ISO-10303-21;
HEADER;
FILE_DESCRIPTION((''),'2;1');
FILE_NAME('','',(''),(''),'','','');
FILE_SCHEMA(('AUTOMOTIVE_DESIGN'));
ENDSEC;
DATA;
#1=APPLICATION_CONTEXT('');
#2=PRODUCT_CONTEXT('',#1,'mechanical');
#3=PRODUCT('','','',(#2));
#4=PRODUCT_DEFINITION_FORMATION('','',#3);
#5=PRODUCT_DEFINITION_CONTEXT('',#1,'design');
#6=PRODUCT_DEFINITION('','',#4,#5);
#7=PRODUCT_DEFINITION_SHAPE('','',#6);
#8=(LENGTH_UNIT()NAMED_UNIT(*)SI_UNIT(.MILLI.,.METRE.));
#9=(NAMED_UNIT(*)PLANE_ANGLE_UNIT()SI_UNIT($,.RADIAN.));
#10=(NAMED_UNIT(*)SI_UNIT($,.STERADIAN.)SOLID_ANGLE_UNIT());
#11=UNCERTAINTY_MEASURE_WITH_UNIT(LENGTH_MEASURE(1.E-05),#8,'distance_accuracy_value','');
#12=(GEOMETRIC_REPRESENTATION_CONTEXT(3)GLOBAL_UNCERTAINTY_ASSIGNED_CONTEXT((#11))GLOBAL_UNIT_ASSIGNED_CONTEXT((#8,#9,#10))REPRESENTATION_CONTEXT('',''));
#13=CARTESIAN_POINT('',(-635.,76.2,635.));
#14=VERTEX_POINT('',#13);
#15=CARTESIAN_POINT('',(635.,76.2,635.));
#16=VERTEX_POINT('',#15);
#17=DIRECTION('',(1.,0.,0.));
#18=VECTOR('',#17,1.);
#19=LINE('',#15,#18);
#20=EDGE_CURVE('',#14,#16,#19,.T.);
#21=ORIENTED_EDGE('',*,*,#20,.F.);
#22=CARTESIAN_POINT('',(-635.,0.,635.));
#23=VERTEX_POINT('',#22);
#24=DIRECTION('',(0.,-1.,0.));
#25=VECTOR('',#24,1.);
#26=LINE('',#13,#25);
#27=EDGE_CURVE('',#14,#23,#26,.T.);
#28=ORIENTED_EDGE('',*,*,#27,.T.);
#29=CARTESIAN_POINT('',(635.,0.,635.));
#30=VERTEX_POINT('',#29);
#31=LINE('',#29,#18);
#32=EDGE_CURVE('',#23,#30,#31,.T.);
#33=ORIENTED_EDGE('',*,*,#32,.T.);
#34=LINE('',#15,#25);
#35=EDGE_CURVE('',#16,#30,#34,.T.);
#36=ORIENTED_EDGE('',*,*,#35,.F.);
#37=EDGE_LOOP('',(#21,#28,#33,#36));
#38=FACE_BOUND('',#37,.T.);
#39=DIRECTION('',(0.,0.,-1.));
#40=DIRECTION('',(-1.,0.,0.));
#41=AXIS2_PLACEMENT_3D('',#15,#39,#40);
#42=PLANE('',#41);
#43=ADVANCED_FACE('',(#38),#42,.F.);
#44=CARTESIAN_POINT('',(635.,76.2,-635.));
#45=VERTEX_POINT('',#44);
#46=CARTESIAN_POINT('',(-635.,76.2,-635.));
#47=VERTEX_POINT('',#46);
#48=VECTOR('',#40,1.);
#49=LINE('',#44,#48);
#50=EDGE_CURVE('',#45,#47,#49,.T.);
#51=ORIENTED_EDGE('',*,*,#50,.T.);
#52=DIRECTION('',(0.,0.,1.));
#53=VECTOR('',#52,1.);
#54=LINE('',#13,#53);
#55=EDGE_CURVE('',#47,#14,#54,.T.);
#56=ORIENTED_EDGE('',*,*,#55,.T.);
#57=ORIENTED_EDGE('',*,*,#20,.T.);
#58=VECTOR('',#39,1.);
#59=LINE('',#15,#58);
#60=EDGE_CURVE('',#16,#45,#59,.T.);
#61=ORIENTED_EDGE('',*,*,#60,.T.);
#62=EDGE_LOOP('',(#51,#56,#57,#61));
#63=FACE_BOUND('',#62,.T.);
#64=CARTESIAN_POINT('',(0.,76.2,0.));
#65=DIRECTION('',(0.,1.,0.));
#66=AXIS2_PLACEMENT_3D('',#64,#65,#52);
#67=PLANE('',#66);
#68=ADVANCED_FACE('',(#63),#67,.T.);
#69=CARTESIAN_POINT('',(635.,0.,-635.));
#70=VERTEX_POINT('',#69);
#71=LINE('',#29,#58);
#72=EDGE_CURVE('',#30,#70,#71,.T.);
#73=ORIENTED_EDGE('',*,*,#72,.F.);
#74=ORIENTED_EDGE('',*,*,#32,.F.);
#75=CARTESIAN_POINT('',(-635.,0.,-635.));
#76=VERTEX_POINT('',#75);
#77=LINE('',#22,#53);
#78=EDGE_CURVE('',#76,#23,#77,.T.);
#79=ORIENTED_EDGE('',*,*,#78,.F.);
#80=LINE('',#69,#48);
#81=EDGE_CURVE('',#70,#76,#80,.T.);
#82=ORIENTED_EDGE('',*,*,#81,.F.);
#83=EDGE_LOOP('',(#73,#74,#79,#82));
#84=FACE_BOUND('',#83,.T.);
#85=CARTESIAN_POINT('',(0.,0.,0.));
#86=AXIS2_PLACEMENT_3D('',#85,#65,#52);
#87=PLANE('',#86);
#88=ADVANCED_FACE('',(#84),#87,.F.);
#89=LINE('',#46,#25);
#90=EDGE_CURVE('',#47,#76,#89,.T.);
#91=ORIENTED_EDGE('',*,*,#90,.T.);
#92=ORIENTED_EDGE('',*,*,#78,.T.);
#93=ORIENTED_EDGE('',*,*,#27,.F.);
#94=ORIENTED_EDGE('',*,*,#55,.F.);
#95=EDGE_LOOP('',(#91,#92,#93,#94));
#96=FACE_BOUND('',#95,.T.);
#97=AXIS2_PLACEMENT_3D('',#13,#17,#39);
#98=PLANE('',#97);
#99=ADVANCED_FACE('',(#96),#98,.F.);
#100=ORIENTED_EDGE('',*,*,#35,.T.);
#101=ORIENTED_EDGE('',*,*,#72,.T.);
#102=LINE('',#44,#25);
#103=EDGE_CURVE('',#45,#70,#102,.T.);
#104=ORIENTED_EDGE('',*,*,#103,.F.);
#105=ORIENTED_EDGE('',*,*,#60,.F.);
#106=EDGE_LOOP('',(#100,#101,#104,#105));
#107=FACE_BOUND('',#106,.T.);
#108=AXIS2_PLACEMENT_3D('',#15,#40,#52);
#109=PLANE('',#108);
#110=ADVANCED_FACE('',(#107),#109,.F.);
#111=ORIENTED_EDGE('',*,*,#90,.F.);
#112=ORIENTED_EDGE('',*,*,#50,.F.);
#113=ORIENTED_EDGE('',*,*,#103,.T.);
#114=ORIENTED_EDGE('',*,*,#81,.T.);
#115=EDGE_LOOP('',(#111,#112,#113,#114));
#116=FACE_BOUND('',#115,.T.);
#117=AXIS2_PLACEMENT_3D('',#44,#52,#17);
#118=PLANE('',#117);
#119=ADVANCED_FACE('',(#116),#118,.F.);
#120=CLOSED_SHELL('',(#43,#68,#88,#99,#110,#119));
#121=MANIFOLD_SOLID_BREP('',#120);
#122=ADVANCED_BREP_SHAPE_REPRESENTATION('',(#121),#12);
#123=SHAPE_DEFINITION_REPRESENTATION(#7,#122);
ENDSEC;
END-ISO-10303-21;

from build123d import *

# Parameters (mm, degrees)
SKETCH1_W           = 1270
SKETCH1_H           = 1270
BOSS_EXTRUDE1_DEPTH = 76.2


with BuildPart() as part:
    # Sketch1 → Boss-Extrude1 (new body)
    with BuildSketch(Plane(origin=(0, 0, 0), x_dir=(1, 0, 0), z_dir=(0, 1, 0))):
        Rectangle(SKETCH1_W, SKETCH1_H)
    extrude(amount=BOSS_EXTRUDE1_DEPTH)


solid = part.part
